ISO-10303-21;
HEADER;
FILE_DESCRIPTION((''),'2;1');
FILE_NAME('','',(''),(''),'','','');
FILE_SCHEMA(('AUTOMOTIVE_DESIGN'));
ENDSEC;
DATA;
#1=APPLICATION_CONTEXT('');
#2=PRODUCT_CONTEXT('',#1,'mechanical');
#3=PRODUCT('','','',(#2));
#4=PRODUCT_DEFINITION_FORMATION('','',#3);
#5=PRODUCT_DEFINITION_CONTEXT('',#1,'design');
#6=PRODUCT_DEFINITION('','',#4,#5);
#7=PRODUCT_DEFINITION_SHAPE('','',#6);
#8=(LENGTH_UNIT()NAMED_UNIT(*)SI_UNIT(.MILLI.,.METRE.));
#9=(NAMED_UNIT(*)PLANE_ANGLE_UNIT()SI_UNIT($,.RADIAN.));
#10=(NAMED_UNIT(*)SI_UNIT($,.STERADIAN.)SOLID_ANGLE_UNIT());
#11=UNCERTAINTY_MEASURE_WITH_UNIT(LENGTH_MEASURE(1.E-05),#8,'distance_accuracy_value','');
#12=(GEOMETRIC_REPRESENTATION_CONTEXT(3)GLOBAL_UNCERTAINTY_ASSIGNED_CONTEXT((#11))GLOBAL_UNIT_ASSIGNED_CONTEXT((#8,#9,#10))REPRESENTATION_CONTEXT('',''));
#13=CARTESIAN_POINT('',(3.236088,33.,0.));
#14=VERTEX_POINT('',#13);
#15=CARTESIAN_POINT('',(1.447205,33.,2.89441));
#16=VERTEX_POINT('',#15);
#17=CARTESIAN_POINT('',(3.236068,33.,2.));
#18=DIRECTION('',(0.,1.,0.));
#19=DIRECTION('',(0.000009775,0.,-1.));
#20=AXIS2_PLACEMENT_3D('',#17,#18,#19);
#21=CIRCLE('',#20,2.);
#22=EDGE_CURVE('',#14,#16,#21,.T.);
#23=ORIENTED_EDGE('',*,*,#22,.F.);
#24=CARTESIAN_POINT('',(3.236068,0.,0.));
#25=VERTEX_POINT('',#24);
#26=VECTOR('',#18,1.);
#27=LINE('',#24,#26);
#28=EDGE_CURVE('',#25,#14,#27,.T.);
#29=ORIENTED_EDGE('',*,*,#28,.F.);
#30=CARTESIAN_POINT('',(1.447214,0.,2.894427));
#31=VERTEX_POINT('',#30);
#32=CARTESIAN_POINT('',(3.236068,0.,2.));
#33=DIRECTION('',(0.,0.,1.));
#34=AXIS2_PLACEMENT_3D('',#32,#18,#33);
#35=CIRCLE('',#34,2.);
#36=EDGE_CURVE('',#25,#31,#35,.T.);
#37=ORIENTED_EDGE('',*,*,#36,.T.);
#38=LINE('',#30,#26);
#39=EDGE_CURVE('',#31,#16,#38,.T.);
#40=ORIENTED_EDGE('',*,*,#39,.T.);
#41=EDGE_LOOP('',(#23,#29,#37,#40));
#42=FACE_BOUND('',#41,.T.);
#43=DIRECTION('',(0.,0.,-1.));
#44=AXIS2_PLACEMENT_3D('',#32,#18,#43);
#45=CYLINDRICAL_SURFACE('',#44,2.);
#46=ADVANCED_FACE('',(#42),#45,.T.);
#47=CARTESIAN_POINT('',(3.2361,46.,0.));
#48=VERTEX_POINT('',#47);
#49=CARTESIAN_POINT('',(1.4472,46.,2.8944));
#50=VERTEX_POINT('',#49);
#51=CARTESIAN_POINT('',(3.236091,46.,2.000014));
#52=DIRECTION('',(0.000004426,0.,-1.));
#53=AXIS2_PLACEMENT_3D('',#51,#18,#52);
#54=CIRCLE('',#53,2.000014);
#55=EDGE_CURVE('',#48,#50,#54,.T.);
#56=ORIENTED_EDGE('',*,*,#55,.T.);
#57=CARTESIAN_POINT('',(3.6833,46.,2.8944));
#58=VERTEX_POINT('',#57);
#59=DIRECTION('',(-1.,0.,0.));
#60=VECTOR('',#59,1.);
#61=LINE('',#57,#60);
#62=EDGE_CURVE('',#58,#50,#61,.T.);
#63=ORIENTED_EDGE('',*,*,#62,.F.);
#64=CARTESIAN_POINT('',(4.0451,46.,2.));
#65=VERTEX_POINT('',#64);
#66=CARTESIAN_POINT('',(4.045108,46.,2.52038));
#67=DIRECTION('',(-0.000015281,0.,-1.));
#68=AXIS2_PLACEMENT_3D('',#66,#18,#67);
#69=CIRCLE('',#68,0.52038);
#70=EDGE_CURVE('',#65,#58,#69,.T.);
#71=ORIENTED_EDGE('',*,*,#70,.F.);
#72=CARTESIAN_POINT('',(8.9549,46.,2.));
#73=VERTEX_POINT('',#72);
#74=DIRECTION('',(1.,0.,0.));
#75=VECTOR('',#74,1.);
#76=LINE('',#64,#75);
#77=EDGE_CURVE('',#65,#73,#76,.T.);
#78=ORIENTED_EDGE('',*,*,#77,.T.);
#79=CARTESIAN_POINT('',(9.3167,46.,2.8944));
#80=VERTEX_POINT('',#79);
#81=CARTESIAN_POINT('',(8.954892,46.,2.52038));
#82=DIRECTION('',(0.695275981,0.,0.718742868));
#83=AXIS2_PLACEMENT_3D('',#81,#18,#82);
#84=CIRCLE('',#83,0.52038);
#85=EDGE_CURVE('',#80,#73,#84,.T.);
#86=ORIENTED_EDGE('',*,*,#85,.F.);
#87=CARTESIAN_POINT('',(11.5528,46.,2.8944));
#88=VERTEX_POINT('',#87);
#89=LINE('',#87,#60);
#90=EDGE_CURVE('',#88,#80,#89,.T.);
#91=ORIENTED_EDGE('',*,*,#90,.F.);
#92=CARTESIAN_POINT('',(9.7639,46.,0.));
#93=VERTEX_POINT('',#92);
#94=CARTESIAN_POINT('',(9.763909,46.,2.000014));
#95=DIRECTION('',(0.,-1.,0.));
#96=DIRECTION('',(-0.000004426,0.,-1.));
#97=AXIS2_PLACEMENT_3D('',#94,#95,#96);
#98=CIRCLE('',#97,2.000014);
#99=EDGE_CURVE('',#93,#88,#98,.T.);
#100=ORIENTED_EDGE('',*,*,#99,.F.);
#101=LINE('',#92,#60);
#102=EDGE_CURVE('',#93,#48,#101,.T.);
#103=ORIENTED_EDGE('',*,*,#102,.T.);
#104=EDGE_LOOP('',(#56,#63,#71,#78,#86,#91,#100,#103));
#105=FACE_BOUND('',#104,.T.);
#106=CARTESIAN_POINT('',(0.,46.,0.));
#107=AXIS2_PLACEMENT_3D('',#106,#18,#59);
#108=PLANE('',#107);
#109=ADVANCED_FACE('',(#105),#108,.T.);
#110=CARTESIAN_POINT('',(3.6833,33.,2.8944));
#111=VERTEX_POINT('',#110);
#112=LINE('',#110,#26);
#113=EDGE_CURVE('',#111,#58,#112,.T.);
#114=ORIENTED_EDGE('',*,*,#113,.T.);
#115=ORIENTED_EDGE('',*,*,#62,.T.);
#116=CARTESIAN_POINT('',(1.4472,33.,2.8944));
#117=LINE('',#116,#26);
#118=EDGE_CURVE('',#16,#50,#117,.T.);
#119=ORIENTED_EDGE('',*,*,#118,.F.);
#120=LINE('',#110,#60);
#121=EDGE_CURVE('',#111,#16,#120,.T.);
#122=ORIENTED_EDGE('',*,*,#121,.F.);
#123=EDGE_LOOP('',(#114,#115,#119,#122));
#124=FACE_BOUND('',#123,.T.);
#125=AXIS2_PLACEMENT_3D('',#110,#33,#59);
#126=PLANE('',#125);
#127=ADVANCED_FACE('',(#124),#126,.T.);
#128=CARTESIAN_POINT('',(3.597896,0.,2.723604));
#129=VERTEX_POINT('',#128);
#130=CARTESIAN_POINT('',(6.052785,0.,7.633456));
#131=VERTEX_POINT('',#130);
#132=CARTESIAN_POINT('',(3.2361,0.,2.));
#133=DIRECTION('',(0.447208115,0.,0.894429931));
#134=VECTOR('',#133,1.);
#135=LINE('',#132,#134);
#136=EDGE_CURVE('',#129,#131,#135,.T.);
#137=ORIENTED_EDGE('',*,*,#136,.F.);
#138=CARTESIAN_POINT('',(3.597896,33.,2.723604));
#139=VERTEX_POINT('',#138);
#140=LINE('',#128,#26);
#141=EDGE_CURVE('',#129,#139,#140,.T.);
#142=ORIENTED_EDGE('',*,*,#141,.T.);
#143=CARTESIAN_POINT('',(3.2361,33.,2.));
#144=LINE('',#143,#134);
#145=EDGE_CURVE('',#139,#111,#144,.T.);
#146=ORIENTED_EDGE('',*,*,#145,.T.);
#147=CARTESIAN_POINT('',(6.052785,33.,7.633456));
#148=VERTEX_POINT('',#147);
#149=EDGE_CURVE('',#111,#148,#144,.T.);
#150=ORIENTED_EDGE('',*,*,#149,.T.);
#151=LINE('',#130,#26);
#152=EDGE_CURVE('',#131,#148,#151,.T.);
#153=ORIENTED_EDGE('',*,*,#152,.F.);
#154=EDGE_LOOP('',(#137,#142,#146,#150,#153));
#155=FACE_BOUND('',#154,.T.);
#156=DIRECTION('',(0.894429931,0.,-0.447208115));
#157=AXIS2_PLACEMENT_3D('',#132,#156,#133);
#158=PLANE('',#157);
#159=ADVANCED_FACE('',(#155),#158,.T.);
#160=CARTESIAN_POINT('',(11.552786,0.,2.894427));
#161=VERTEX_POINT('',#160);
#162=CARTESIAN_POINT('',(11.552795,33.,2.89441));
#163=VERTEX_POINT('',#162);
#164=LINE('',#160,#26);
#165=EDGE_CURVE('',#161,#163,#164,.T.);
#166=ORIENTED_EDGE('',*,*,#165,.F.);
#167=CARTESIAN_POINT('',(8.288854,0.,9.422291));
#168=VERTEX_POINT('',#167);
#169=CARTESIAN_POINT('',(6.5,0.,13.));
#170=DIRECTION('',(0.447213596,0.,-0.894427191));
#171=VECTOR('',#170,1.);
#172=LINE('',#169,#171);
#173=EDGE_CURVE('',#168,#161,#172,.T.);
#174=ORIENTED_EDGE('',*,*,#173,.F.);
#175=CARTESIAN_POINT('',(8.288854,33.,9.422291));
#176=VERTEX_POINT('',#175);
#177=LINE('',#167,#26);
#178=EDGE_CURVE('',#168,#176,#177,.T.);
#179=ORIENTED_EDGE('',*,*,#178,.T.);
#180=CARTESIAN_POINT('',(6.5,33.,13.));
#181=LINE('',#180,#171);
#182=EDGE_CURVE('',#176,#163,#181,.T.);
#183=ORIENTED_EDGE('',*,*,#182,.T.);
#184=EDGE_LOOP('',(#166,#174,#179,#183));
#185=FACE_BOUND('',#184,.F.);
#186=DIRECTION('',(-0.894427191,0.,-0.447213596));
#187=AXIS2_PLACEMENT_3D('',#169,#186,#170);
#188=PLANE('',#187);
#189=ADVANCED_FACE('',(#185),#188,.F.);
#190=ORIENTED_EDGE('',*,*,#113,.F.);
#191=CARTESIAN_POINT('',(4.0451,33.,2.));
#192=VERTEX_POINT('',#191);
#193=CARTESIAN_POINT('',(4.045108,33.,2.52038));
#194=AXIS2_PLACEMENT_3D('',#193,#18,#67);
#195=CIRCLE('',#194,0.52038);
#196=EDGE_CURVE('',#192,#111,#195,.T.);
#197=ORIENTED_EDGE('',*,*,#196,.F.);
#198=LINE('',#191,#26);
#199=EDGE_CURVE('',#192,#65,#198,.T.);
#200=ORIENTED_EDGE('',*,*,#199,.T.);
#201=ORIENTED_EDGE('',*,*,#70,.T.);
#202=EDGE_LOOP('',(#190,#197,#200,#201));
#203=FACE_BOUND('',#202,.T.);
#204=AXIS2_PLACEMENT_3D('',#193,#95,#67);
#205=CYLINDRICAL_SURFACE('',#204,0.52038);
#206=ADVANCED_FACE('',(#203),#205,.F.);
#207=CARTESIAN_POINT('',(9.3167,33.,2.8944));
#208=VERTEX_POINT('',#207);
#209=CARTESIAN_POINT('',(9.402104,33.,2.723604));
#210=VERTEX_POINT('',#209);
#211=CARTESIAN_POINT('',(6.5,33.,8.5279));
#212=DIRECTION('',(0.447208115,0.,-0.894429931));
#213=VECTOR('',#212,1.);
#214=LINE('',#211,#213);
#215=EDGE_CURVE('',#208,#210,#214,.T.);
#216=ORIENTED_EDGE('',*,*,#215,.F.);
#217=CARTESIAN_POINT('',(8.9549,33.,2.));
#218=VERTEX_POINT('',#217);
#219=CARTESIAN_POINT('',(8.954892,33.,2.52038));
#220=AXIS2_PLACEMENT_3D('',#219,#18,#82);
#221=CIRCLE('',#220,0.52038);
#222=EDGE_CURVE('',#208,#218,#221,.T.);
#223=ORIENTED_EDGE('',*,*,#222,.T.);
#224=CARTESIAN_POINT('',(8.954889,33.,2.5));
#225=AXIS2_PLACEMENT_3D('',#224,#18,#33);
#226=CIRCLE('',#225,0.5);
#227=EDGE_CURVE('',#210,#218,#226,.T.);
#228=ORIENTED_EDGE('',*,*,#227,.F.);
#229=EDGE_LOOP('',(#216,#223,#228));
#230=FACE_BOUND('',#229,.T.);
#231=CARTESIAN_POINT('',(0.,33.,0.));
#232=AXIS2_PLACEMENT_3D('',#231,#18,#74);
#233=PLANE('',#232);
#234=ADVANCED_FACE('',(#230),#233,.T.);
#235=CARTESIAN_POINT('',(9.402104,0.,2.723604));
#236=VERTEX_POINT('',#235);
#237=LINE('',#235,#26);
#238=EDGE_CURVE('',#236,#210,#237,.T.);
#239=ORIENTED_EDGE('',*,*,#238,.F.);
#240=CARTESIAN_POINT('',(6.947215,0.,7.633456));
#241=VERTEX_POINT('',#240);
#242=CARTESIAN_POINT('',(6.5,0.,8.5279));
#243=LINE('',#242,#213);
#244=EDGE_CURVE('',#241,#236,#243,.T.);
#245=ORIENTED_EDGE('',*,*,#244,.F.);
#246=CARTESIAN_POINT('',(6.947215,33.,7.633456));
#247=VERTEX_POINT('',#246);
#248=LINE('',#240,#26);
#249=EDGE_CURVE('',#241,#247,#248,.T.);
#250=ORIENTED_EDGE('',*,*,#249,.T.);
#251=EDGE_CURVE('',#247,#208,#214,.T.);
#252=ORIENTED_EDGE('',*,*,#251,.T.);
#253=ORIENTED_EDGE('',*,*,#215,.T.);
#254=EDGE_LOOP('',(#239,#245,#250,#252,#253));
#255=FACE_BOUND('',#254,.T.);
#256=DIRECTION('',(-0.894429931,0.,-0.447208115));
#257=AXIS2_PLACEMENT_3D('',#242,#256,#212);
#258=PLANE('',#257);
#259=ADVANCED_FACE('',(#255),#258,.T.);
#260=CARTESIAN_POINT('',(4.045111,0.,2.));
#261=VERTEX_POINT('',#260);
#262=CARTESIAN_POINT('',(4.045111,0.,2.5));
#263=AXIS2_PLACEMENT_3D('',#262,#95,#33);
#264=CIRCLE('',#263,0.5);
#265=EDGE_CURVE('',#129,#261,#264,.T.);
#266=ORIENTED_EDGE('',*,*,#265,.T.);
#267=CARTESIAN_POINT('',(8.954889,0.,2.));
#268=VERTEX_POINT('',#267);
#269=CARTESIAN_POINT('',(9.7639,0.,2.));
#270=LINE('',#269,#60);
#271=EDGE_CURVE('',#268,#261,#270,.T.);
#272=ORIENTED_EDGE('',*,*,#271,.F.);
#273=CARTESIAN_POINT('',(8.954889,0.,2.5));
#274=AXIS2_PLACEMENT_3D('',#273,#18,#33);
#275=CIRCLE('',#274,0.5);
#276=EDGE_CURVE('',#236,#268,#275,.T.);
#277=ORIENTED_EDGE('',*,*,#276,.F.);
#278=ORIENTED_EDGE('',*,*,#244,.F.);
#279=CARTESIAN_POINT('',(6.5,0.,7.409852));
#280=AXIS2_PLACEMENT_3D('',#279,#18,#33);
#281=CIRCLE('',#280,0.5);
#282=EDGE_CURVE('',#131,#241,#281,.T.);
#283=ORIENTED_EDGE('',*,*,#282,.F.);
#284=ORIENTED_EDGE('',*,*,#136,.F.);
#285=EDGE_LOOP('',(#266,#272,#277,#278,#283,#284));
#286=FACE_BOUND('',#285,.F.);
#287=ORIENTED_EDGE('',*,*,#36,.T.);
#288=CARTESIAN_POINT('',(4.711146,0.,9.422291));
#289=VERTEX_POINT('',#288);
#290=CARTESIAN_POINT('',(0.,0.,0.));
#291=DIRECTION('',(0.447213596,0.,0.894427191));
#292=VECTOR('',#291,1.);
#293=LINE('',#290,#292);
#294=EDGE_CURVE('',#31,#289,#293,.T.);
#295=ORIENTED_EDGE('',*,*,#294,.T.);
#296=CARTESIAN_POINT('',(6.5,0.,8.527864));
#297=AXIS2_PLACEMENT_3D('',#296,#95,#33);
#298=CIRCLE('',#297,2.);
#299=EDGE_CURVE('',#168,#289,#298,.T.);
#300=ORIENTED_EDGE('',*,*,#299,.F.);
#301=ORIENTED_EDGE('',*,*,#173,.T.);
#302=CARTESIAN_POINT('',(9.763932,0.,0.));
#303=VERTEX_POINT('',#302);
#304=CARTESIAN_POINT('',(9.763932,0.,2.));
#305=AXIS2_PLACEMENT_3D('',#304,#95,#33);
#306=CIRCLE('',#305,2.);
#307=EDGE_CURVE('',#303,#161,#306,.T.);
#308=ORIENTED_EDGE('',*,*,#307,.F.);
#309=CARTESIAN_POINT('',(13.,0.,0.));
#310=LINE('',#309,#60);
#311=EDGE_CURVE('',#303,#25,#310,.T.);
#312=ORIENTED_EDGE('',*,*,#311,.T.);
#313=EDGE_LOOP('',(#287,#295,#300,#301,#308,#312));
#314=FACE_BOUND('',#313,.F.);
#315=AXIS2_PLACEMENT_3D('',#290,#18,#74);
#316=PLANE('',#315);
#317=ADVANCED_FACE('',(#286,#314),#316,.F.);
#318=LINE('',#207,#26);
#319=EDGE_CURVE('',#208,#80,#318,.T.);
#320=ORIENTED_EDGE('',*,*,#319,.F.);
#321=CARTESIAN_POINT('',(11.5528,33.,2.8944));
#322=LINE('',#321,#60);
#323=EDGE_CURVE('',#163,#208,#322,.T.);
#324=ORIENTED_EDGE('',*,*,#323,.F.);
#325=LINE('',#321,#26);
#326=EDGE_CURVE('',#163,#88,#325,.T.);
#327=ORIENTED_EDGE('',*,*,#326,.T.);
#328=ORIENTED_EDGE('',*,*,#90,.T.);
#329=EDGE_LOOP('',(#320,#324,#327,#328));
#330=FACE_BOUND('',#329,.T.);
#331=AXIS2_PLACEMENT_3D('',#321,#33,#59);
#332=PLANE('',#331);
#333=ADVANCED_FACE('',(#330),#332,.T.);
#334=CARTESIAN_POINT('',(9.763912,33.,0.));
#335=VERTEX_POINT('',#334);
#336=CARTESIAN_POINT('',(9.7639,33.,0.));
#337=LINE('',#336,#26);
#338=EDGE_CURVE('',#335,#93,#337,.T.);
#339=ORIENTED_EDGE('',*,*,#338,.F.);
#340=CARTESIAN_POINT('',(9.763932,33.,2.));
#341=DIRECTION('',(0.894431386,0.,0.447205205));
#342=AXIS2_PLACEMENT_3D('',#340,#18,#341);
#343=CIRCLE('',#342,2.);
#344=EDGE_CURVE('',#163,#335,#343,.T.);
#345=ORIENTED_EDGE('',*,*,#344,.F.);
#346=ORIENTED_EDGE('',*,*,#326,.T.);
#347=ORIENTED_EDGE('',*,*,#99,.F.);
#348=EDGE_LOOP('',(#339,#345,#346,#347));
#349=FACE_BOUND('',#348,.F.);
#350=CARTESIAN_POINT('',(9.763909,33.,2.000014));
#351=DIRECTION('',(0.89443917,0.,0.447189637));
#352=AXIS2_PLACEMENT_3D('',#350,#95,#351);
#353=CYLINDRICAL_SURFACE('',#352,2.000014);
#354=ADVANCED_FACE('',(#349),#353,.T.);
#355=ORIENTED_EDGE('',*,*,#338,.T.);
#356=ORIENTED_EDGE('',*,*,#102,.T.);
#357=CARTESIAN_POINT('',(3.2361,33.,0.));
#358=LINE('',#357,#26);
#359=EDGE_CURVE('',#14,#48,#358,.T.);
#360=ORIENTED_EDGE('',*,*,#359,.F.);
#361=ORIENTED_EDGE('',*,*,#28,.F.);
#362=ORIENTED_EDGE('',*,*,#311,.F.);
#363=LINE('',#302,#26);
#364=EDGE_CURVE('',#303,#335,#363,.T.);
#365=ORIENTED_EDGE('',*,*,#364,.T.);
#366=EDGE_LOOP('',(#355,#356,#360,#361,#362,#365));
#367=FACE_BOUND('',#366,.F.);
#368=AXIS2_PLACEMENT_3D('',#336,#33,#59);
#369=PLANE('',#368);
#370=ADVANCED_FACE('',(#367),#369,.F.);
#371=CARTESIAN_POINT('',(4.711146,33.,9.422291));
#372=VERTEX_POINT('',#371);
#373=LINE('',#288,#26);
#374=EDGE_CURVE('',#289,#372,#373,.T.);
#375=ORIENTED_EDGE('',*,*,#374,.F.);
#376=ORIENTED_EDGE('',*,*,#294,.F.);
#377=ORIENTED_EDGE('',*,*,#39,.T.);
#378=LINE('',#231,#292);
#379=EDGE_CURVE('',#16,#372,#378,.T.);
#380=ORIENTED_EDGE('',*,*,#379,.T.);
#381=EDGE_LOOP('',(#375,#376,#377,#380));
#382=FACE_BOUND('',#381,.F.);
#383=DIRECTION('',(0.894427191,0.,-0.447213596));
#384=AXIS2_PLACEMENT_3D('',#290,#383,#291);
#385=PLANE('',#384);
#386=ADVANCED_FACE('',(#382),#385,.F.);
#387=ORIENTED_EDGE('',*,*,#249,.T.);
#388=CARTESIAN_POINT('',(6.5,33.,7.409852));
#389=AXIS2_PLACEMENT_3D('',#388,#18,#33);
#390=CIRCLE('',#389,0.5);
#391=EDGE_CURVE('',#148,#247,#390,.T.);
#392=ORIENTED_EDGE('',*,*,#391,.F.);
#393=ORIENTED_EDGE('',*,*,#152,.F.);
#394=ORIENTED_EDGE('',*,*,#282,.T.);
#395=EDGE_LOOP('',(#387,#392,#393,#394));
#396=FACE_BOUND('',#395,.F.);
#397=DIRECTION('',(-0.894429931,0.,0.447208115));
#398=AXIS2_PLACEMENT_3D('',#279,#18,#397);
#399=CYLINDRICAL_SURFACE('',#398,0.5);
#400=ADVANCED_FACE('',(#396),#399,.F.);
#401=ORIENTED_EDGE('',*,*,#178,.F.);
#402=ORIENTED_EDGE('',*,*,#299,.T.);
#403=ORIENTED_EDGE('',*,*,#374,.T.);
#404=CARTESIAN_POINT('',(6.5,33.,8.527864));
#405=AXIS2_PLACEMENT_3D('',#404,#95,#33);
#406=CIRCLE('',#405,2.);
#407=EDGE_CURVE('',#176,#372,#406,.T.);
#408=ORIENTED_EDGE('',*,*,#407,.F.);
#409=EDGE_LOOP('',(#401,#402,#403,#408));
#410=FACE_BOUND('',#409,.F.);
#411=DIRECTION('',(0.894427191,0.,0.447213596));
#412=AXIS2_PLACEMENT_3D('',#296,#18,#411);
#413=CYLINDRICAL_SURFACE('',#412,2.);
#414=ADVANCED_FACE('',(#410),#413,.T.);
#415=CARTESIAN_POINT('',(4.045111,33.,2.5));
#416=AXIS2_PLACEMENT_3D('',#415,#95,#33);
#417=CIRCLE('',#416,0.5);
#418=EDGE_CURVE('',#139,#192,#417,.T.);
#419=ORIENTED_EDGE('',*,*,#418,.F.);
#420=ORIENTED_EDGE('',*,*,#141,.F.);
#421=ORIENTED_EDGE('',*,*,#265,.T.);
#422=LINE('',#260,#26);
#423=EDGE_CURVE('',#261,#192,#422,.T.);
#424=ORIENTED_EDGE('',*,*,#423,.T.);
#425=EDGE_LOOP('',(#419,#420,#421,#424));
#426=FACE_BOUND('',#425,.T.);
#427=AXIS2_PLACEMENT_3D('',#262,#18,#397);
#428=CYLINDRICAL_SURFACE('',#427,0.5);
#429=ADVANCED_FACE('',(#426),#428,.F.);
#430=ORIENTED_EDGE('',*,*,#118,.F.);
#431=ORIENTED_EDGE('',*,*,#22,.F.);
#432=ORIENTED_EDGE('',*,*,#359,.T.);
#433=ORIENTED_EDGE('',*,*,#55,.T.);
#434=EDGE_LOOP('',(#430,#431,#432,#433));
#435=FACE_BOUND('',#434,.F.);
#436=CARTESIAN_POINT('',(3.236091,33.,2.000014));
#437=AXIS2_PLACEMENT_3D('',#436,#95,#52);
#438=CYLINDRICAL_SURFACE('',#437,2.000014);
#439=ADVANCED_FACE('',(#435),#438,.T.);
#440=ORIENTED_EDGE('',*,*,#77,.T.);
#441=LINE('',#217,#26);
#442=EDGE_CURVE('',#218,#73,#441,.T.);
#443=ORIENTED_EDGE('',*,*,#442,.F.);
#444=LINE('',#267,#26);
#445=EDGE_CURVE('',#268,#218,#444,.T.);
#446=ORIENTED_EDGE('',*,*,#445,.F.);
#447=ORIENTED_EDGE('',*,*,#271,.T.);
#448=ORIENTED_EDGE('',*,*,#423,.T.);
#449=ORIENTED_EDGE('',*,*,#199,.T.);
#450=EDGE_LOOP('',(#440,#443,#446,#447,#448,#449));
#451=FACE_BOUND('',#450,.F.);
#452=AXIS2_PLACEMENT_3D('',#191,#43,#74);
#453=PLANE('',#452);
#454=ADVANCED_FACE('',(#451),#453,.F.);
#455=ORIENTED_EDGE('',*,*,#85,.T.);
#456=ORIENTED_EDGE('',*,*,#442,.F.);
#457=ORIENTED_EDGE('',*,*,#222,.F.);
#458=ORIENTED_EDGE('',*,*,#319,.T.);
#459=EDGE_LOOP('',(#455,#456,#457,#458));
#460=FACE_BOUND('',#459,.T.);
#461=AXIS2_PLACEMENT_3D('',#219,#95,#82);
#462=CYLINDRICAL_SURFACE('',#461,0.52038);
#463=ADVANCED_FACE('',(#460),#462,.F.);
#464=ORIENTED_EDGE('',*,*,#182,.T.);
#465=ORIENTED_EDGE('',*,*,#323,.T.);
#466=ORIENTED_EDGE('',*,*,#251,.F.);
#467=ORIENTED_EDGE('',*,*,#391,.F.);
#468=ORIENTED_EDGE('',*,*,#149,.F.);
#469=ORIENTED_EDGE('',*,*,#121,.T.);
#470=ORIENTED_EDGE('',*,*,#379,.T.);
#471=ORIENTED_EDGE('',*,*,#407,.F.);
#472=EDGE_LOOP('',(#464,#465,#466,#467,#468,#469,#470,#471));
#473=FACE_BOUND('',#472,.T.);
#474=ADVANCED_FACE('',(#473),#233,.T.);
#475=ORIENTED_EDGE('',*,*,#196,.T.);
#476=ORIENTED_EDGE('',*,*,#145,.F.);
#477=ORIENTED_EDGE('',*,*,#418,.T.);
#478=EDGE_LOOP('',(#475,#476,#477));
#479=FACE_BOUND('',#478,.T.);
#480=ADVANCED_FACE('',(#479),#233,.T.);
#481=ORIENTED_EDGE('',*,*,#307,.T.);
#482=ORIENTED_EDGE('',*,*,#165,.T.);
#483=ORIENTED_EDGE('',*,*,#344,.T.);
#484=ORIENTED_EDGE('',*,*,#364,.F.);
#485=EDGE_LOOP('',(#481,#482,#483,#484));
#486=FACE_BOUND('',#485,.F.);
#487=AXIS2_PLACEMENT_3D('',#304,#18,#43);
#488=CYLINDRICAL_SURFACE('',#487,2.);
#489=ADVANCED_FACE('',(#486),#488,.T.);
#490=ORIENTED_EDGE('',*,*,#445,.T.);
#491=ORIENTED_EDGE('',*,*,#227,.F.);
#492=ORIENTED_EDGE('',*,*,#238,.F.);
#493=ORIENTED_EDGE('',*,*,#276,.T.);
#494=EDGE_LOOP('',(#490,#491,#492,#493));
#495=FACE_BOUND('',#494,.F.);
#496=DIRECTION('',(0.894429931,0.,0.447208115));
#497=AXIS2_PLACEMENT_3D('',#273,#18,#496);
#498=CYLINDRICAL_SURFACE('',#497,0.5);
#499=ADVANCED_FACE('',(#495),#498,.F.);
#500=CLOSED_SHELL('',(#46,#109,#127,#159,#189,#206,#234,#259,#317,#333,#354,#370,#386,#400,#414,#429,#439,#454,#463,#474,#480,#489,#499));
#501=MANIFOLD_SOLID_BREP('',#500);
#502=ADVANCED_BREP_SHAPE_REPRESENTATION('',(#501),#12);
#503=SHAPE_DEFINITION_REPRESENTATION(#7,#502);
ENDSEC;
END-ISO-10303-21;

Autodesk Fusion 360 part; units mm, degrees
sketch "Sketch1" plane through (0, 0, 0) normal (0, 1, 0) x (1, 0, 0)
  line L0 (0, 0) -> (6.5, -13)
  line L1 (6.5, -13) -> (13, 0)
  line L2 (13, 0) -> (0, 0)
  line L3 (3.2361, -2) -> (6.5, -8.5279)
  line L4 (6.5, -8.5279) -> (9.7639, -2)
  line L5 (9.7639, -2) -> (3.2361, -2)
  dimension "d1" = 13
  dimension "d2" = 13
  dimension "d3" = 6.5
  dimension "d6" = 2
  dimension "d7" = 2
  dimension "d8" = 2
extrude "Extrude1" add sketch "Sketch1" along normal blind 33
fillet "Fillet1" radius 2 3 edges at (6.5, 16.5, 13) (0, 16.5, 0) (13, 16.5, 0)
fillet "Fillet2" radius 0.5 3 edges at (6.5, 16.5, 8.5279) (3.2361, 16.5, 2) (9.7639, 16.5, 2)
sketch "Sketch2" plane through (0, 33, 0) normal (0, 1, 0) x (-1, 0, 0)
  arc A0 (-11.5528, 2.8944) -> (-9.7639, 0) centre (-9.7639, 2) ccw
  line L0 (-9.7639, 0) -> (-3.2361, 0)
  arc A1 (-3.2361, 0) -> (-1.4472, 2.8944) centre (-3.2361, 2) ccw
  line L1 (-1.4472, 2.8944) -> (-4.7111, 9.4223)
  arc A2 (-4.7111, 9.4223) -> (-8.2889, 9.4223) centre (-6.5, 8.5279) ccw
  line L2 (-8.2889, 9.4223) -> (-11.5528, 2.8944)
  line L3 (-4.0451, 2) -> (-8.9549, 2)
  arc A3 (-9.4021, 2.7236) -> (-8.9549, 2) centre (-8.9549, 2.5) ccw
  line L4 (-9.4021, 2.7236) -> (-6.9472, 7.6334)
  arc A4 (-6.0528, 7.6334) -> (-6.9472, 7.6334) centre (-6.5, 7.4098) ccw
  line L5 (-6.0528, 7.6334) -> (-3.5979, 2.7236)
  arc A5 (-4.0451, 2) -> (-3.5979, 2.7236) centre (-4.0451, 2.5) ccw
  line L6 (-8.9549, 2) -> (-4.0451, 2)
  arc A6 (-3.2361, 0) -> (-1.2361, 2) centre (-3.2361, 2) ccw
  line L7 (-3.2361, 0) -> (-9.7639, 0)
  arc A7 (-11.7639, 2) -> (-9.7639, 0) centre (-9.7639, 2) ccw
  arc A8 (-11.5528, 2.8944) -> (-11.7639, 2) centre (-9.7639, 2) ccw
  arc A9 (-9.3167, 2.8944) -> (-8.9549, 2) centre (-8.9549, 2.5204) ccw
  arc A10 (-4.0451, 2) -> (-3.6833, 2.8944) centre (-4.0451, 2.5204) ccw
  arc A11 (-1.2361, 2) -> (-1.4472, 2.8944) centre (-3.2361, 2) ccw
  line L8 (-11.5528, 2.8944) -> (-9.3167, 2.8944)
  line L9 (-3.6833, 2.8944) -> (-1.4472, 2.8944)
extrude "Extrude2" add sketch "Sketch2" along normal blind 13 contours A0 L0 A1 L3 L6 A6 L7 A7 A8 A9 A10 A11 L8 L9
